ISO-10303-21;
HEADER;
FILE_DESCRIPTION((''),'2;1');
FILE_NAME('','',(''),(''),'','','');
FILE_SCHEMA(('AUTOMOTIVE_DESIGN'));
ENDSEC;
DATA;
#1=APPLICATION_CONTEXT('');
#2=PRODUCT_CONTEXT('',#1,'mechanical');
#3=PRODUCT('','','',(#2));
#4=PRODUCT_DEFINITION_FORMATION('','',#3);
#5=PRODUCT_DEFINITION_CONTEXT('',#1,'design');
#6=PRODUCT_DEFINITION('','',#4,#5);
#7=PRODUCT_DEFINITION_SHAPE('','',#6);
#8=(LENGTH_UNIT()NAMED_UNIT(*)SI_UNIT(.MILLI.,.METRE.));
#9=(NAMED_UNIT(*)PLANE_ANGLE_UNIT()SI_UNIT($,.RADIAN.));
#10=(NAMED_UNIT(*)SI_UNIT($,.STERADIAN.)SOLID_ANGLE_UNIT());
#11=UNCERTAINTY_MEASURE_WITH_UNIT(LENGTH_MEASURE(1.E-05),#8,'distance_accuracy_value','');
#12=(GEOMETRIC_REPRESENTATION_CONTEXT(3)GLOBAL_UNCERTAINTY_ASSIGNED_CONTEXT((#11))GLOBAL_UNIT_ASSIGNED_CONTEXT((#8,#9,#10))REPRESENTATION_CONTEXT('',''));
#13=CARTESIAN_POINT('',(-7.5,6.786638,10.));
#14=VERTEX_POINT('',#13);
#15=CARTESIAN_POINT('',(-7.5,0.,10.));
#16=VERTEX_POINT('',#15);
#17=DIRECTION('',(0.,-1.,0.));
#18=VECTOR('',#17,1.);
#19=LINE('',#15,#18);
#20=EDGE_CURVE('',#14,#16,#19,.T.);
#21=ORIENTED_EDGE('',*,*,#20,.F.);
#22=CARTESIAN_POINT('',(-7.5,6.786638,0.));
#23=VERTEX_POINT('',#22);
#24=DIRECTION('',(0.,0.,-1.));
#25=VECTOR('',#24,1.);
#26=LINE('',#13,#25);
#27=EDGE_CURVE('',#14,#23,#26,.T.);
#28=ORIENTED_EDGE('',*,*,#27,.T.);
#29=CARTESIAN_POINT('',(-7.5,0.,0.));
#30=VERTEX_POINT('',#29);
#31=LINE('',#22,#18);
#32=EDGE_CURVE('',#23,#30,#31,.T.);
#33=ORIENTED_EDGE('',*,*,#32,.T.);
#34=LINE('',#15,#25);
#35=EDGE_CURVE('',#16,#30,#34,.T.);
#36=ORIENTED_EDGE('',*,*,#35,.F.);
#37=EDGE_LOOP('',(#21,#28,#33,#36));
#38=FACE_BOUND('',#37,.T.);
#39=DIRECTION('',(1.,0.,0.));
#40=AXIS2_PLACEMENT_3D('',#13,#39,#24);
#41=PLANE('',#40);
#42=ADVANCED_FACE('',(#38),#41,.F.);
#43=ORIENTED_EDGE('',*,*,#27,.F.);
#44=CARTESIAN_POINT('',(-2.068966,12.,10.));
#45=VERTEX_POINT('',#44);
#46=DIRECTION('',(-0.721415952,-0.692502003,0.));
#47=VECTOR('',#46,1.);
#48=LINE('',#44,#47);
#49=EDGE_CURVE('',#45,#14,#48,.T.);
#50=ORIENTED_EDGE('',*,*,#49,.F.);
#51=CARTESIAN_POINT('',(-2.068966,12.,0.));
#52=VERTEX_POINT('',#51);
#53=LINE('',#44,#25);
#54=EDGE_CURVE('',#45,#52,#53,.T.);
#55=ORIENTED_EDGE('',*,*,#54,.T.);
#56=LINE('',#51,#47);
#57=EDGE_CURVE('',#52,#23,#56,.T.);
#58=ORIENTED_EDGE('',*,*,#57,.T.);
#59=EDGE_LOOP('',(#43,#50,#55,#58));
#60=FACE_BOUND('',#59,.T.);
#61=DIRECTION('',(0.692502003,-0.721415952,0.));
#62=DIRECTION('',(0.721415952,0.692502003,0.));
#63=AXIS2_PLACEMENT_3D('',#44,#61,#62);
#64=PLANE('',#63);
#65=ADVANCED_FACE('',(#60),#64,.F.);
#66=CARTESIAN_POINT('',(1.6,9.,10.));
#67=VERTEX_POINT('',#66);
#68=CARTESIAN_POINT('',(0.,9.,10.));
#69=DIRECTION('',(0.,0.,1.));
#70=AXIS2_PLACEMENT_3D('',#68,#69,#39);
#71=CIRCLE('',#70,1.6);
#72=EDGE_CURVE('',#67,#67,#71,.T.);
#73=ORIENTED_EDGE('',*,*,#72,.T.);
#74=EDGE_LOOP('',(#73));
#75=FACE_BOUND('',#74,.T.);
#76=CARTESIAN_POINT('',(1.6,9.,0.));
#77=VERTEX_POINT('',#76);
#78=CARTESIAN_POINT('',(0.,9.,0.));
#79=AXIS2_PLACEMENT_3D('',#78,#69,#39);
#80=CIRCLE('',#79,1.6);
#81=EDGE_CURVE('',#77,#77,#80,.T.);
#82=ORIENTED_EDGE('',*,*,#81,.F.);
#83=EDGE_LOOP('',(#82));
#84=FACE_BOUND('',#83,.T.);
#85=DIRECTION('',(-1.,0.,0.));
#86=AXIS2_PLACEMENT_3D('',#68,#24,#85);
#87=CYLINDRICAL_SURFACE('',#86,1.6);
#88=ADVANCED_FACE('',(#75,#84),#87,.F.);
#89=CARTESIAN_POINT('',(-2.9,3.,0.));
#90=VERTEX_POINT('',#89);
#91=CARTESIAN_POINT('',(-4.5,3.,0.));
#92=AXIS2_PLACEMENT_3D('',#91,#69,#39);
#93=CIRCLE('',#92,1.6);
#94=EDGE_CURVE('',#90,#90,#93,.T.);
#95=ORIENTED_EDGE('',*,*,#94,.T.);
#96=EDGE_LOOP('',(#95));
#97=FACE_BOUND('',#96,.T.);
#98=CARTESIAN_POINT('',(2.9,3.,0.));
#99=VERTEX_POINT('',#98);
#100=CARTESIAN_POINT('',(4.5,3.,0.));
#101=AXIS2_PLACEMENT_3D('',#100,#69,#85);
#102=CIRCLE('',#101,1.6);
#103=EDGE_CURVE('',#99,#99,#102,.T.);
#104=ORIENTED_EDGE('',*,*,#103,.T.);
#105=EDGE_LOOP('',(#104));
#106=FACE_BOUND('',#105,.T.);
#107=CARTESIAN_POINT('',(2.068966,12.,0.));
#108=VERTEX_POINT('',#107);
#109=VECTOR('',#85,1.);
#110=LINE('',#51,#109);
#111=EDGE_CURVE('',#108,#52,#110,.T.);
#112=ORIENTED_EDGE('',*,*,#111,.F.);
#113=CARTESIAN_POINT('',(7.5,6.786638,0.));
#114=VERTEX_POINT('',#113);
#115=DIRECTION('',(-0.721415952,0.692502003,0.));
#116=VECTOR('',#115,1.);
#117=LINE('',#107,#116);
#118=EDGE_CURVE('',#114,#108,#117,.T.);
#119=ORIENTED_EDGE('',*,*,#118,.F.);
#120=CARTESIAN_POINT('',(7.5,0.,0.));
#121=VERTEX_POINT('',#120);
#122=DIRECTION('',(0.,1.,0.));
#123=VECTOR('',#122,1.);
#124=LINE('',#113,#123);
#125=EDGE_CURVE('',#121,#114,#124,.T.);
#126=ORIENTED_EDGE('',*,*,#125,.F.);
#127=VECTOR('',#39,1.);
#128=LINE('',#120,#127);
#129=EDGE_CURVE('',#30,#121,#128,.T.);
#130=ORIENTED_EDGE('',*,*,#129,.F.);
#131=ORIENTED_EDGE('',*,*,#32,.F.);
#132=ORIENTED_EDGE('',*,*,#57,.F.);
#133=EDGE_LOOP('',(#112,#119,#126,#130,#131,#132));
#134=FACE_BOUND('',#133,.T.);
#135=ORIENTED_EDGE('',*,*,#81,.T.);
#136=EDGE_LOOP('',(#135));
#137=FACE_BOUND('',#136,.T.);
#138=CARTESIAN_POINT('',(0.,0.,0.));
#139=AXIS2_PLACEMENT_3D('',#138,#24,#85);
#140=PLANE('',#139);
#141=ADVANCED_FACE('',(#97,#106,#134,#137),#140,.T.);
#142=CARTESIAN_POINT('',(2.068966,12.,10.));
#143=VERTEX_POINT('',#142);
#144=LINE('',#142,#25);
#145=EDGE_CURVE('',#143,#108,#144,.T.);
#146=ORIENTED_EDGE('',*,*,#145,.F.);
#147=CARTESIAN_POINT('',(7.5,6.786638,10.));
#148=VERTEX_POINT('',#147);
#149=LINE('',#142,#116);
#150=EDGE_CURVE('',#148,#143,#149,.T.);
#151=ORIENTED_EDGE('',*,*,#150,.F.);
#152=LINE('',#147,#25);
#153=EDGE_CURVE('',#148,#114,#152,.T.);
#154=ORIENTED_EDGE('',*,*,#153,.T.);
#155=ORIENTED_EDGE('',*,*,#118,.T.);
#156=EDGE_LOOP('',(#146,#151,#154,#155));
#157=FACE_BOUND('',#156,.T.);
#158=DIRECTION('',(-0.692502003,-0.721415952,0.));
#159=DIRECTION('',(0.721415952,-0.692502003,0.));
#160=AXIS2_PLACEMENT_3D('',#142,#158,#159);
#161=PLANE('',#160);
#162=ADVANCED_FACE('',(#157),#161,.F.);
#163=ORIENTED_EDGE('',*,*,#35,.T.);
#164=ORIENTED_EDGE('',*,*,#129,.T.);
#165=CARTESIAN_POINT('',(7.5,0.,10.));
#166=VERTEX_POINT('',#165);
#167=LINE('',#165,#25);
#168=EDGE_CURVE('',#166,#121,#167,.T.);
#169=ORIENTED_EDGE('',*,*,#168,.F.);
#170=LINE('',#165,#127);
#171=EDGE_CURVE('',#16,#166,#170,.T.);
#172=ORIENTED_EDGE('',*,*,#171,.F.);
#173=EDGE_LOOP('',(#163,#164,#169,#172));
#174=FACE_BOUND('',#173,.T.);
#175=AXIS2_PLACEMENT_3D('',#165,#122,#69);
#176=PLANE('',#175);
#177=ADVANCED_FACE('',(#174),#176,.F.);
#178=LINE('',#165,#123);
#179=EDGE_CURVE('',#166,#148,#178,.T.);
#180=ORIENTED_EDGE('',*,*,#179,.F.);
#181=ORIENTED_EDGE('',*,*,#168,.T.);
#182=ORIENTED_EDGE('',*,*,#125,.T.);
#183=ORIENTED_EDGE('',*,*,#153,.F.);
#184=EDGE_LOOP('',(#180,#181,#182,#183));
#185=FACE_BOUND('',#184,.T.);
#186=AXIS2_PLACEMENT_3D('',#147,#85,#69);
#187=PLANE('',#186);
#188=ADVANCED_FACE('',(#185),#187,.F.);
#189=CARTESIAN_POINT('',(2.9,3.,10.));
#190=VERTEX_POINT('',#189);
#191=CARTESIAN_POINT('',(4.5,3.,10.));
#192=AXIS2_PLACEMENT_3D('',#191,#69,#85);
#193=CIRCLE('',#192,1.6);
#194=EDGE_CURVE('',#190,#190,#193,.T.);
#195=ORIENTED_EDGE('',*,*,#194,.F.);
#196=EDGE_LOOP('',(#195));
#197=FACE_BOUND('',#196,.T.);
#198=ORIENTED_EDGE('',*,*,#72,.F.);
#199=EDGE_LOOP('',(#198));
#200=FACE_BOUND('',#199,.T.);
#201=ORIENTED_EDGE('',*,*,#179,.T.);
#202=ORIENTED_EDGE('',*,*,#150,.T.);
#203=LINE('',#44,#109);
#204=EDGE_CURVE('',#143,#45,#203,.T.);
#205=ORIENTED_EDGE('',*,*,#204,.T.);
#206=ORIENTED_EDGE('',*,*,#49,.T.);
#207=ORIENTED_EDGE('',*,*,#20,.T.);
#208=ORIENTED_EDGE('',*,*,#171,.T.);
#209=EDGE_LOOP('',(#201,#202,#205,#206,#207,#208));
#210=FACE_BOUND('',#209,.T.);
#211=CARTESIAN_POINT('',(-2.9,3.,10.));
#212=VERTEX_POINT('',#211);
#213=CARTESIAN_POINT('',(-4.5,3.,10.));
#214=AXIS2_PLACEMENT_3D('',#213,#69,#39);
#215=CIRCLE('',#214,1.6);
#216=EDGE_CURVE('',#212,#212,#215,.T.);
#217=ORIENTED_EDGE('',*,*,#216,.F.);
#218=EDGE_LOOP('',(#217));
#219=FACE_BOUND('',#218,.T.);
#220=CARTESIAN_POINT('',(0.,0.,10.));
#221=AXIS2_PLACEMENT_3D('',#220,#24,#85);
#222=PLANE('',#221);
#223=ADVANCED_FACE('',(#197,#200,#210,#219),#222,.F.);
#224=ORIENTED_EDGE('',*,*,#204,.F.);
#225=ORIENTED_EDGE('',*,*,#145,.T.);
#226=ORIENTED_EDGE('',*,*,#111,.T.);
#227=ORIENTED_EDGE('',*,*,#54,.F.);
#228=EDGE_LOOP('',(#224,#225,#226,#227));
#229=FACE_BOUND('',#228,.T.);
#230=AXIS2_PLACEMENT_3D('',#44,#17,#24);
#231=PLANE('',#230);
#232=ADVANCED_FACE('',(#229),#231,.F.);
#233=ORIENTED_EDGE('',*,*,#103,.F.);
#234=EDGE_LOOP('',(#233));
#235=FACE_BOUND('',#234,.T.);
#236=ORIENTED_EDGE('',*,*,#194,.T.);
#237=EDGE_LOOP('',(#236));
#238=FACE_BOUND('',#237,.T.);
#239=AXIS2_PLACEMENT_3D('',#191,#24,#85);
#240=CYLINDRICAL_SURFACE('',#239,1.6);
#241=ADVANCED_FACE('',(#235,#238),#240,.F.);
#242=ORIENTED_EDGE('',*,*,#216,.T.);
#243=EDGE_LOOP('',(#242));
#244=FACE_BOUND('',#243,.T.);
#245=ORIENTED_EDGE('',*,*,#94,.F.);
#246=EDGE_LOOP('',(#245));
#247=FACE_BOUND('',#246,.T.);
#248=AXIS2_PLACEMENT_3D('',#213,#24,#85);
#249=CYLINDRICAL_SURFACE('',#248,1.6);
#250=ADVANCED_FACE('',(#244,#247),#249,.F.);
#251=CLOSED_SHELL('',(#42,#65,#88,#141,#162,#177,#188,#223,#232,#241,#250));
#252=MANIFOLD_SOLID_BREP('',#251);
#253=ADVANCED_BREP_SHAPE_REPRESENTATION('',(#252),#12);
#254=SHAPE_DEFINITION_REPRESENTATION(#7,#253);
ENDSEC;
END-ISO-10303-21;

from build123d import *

# Parameters (mm, degrees)
SKETCH1_R           = 1.6
BOSS_EXTRUDE1_DEPTH = 10


with BuildPart() as part:
    # Sketch1 → Boss-Extrude1 (new body)
    with BuildSketch(Plane.XY):
        Polygon((7.5, 0), (-7.5, 0), (-7.5, 6), (-7.5, 6.78663835), (-2.068965517, 12), (2.068965517, 12), (7.5, 6.78663835), (7.5, 6), align=None)
        with Locations((0, 9)):
            Circle(SKETCH1_R, mode=Mode.SUBTRACT)
        with Locations((-4.5, 3)):
            Circle(SKETCH1_R, mode=Mode.SUBTRACT)
        with Locations(Location((4.5, 3, 0), (0, 0, 180))):
            Circle(SKETCH1_R, mode=Mode.SUBTRACT)
    extrude(amount=BOSS_EXTRUDE1_DEPTH)


solid = part.part
